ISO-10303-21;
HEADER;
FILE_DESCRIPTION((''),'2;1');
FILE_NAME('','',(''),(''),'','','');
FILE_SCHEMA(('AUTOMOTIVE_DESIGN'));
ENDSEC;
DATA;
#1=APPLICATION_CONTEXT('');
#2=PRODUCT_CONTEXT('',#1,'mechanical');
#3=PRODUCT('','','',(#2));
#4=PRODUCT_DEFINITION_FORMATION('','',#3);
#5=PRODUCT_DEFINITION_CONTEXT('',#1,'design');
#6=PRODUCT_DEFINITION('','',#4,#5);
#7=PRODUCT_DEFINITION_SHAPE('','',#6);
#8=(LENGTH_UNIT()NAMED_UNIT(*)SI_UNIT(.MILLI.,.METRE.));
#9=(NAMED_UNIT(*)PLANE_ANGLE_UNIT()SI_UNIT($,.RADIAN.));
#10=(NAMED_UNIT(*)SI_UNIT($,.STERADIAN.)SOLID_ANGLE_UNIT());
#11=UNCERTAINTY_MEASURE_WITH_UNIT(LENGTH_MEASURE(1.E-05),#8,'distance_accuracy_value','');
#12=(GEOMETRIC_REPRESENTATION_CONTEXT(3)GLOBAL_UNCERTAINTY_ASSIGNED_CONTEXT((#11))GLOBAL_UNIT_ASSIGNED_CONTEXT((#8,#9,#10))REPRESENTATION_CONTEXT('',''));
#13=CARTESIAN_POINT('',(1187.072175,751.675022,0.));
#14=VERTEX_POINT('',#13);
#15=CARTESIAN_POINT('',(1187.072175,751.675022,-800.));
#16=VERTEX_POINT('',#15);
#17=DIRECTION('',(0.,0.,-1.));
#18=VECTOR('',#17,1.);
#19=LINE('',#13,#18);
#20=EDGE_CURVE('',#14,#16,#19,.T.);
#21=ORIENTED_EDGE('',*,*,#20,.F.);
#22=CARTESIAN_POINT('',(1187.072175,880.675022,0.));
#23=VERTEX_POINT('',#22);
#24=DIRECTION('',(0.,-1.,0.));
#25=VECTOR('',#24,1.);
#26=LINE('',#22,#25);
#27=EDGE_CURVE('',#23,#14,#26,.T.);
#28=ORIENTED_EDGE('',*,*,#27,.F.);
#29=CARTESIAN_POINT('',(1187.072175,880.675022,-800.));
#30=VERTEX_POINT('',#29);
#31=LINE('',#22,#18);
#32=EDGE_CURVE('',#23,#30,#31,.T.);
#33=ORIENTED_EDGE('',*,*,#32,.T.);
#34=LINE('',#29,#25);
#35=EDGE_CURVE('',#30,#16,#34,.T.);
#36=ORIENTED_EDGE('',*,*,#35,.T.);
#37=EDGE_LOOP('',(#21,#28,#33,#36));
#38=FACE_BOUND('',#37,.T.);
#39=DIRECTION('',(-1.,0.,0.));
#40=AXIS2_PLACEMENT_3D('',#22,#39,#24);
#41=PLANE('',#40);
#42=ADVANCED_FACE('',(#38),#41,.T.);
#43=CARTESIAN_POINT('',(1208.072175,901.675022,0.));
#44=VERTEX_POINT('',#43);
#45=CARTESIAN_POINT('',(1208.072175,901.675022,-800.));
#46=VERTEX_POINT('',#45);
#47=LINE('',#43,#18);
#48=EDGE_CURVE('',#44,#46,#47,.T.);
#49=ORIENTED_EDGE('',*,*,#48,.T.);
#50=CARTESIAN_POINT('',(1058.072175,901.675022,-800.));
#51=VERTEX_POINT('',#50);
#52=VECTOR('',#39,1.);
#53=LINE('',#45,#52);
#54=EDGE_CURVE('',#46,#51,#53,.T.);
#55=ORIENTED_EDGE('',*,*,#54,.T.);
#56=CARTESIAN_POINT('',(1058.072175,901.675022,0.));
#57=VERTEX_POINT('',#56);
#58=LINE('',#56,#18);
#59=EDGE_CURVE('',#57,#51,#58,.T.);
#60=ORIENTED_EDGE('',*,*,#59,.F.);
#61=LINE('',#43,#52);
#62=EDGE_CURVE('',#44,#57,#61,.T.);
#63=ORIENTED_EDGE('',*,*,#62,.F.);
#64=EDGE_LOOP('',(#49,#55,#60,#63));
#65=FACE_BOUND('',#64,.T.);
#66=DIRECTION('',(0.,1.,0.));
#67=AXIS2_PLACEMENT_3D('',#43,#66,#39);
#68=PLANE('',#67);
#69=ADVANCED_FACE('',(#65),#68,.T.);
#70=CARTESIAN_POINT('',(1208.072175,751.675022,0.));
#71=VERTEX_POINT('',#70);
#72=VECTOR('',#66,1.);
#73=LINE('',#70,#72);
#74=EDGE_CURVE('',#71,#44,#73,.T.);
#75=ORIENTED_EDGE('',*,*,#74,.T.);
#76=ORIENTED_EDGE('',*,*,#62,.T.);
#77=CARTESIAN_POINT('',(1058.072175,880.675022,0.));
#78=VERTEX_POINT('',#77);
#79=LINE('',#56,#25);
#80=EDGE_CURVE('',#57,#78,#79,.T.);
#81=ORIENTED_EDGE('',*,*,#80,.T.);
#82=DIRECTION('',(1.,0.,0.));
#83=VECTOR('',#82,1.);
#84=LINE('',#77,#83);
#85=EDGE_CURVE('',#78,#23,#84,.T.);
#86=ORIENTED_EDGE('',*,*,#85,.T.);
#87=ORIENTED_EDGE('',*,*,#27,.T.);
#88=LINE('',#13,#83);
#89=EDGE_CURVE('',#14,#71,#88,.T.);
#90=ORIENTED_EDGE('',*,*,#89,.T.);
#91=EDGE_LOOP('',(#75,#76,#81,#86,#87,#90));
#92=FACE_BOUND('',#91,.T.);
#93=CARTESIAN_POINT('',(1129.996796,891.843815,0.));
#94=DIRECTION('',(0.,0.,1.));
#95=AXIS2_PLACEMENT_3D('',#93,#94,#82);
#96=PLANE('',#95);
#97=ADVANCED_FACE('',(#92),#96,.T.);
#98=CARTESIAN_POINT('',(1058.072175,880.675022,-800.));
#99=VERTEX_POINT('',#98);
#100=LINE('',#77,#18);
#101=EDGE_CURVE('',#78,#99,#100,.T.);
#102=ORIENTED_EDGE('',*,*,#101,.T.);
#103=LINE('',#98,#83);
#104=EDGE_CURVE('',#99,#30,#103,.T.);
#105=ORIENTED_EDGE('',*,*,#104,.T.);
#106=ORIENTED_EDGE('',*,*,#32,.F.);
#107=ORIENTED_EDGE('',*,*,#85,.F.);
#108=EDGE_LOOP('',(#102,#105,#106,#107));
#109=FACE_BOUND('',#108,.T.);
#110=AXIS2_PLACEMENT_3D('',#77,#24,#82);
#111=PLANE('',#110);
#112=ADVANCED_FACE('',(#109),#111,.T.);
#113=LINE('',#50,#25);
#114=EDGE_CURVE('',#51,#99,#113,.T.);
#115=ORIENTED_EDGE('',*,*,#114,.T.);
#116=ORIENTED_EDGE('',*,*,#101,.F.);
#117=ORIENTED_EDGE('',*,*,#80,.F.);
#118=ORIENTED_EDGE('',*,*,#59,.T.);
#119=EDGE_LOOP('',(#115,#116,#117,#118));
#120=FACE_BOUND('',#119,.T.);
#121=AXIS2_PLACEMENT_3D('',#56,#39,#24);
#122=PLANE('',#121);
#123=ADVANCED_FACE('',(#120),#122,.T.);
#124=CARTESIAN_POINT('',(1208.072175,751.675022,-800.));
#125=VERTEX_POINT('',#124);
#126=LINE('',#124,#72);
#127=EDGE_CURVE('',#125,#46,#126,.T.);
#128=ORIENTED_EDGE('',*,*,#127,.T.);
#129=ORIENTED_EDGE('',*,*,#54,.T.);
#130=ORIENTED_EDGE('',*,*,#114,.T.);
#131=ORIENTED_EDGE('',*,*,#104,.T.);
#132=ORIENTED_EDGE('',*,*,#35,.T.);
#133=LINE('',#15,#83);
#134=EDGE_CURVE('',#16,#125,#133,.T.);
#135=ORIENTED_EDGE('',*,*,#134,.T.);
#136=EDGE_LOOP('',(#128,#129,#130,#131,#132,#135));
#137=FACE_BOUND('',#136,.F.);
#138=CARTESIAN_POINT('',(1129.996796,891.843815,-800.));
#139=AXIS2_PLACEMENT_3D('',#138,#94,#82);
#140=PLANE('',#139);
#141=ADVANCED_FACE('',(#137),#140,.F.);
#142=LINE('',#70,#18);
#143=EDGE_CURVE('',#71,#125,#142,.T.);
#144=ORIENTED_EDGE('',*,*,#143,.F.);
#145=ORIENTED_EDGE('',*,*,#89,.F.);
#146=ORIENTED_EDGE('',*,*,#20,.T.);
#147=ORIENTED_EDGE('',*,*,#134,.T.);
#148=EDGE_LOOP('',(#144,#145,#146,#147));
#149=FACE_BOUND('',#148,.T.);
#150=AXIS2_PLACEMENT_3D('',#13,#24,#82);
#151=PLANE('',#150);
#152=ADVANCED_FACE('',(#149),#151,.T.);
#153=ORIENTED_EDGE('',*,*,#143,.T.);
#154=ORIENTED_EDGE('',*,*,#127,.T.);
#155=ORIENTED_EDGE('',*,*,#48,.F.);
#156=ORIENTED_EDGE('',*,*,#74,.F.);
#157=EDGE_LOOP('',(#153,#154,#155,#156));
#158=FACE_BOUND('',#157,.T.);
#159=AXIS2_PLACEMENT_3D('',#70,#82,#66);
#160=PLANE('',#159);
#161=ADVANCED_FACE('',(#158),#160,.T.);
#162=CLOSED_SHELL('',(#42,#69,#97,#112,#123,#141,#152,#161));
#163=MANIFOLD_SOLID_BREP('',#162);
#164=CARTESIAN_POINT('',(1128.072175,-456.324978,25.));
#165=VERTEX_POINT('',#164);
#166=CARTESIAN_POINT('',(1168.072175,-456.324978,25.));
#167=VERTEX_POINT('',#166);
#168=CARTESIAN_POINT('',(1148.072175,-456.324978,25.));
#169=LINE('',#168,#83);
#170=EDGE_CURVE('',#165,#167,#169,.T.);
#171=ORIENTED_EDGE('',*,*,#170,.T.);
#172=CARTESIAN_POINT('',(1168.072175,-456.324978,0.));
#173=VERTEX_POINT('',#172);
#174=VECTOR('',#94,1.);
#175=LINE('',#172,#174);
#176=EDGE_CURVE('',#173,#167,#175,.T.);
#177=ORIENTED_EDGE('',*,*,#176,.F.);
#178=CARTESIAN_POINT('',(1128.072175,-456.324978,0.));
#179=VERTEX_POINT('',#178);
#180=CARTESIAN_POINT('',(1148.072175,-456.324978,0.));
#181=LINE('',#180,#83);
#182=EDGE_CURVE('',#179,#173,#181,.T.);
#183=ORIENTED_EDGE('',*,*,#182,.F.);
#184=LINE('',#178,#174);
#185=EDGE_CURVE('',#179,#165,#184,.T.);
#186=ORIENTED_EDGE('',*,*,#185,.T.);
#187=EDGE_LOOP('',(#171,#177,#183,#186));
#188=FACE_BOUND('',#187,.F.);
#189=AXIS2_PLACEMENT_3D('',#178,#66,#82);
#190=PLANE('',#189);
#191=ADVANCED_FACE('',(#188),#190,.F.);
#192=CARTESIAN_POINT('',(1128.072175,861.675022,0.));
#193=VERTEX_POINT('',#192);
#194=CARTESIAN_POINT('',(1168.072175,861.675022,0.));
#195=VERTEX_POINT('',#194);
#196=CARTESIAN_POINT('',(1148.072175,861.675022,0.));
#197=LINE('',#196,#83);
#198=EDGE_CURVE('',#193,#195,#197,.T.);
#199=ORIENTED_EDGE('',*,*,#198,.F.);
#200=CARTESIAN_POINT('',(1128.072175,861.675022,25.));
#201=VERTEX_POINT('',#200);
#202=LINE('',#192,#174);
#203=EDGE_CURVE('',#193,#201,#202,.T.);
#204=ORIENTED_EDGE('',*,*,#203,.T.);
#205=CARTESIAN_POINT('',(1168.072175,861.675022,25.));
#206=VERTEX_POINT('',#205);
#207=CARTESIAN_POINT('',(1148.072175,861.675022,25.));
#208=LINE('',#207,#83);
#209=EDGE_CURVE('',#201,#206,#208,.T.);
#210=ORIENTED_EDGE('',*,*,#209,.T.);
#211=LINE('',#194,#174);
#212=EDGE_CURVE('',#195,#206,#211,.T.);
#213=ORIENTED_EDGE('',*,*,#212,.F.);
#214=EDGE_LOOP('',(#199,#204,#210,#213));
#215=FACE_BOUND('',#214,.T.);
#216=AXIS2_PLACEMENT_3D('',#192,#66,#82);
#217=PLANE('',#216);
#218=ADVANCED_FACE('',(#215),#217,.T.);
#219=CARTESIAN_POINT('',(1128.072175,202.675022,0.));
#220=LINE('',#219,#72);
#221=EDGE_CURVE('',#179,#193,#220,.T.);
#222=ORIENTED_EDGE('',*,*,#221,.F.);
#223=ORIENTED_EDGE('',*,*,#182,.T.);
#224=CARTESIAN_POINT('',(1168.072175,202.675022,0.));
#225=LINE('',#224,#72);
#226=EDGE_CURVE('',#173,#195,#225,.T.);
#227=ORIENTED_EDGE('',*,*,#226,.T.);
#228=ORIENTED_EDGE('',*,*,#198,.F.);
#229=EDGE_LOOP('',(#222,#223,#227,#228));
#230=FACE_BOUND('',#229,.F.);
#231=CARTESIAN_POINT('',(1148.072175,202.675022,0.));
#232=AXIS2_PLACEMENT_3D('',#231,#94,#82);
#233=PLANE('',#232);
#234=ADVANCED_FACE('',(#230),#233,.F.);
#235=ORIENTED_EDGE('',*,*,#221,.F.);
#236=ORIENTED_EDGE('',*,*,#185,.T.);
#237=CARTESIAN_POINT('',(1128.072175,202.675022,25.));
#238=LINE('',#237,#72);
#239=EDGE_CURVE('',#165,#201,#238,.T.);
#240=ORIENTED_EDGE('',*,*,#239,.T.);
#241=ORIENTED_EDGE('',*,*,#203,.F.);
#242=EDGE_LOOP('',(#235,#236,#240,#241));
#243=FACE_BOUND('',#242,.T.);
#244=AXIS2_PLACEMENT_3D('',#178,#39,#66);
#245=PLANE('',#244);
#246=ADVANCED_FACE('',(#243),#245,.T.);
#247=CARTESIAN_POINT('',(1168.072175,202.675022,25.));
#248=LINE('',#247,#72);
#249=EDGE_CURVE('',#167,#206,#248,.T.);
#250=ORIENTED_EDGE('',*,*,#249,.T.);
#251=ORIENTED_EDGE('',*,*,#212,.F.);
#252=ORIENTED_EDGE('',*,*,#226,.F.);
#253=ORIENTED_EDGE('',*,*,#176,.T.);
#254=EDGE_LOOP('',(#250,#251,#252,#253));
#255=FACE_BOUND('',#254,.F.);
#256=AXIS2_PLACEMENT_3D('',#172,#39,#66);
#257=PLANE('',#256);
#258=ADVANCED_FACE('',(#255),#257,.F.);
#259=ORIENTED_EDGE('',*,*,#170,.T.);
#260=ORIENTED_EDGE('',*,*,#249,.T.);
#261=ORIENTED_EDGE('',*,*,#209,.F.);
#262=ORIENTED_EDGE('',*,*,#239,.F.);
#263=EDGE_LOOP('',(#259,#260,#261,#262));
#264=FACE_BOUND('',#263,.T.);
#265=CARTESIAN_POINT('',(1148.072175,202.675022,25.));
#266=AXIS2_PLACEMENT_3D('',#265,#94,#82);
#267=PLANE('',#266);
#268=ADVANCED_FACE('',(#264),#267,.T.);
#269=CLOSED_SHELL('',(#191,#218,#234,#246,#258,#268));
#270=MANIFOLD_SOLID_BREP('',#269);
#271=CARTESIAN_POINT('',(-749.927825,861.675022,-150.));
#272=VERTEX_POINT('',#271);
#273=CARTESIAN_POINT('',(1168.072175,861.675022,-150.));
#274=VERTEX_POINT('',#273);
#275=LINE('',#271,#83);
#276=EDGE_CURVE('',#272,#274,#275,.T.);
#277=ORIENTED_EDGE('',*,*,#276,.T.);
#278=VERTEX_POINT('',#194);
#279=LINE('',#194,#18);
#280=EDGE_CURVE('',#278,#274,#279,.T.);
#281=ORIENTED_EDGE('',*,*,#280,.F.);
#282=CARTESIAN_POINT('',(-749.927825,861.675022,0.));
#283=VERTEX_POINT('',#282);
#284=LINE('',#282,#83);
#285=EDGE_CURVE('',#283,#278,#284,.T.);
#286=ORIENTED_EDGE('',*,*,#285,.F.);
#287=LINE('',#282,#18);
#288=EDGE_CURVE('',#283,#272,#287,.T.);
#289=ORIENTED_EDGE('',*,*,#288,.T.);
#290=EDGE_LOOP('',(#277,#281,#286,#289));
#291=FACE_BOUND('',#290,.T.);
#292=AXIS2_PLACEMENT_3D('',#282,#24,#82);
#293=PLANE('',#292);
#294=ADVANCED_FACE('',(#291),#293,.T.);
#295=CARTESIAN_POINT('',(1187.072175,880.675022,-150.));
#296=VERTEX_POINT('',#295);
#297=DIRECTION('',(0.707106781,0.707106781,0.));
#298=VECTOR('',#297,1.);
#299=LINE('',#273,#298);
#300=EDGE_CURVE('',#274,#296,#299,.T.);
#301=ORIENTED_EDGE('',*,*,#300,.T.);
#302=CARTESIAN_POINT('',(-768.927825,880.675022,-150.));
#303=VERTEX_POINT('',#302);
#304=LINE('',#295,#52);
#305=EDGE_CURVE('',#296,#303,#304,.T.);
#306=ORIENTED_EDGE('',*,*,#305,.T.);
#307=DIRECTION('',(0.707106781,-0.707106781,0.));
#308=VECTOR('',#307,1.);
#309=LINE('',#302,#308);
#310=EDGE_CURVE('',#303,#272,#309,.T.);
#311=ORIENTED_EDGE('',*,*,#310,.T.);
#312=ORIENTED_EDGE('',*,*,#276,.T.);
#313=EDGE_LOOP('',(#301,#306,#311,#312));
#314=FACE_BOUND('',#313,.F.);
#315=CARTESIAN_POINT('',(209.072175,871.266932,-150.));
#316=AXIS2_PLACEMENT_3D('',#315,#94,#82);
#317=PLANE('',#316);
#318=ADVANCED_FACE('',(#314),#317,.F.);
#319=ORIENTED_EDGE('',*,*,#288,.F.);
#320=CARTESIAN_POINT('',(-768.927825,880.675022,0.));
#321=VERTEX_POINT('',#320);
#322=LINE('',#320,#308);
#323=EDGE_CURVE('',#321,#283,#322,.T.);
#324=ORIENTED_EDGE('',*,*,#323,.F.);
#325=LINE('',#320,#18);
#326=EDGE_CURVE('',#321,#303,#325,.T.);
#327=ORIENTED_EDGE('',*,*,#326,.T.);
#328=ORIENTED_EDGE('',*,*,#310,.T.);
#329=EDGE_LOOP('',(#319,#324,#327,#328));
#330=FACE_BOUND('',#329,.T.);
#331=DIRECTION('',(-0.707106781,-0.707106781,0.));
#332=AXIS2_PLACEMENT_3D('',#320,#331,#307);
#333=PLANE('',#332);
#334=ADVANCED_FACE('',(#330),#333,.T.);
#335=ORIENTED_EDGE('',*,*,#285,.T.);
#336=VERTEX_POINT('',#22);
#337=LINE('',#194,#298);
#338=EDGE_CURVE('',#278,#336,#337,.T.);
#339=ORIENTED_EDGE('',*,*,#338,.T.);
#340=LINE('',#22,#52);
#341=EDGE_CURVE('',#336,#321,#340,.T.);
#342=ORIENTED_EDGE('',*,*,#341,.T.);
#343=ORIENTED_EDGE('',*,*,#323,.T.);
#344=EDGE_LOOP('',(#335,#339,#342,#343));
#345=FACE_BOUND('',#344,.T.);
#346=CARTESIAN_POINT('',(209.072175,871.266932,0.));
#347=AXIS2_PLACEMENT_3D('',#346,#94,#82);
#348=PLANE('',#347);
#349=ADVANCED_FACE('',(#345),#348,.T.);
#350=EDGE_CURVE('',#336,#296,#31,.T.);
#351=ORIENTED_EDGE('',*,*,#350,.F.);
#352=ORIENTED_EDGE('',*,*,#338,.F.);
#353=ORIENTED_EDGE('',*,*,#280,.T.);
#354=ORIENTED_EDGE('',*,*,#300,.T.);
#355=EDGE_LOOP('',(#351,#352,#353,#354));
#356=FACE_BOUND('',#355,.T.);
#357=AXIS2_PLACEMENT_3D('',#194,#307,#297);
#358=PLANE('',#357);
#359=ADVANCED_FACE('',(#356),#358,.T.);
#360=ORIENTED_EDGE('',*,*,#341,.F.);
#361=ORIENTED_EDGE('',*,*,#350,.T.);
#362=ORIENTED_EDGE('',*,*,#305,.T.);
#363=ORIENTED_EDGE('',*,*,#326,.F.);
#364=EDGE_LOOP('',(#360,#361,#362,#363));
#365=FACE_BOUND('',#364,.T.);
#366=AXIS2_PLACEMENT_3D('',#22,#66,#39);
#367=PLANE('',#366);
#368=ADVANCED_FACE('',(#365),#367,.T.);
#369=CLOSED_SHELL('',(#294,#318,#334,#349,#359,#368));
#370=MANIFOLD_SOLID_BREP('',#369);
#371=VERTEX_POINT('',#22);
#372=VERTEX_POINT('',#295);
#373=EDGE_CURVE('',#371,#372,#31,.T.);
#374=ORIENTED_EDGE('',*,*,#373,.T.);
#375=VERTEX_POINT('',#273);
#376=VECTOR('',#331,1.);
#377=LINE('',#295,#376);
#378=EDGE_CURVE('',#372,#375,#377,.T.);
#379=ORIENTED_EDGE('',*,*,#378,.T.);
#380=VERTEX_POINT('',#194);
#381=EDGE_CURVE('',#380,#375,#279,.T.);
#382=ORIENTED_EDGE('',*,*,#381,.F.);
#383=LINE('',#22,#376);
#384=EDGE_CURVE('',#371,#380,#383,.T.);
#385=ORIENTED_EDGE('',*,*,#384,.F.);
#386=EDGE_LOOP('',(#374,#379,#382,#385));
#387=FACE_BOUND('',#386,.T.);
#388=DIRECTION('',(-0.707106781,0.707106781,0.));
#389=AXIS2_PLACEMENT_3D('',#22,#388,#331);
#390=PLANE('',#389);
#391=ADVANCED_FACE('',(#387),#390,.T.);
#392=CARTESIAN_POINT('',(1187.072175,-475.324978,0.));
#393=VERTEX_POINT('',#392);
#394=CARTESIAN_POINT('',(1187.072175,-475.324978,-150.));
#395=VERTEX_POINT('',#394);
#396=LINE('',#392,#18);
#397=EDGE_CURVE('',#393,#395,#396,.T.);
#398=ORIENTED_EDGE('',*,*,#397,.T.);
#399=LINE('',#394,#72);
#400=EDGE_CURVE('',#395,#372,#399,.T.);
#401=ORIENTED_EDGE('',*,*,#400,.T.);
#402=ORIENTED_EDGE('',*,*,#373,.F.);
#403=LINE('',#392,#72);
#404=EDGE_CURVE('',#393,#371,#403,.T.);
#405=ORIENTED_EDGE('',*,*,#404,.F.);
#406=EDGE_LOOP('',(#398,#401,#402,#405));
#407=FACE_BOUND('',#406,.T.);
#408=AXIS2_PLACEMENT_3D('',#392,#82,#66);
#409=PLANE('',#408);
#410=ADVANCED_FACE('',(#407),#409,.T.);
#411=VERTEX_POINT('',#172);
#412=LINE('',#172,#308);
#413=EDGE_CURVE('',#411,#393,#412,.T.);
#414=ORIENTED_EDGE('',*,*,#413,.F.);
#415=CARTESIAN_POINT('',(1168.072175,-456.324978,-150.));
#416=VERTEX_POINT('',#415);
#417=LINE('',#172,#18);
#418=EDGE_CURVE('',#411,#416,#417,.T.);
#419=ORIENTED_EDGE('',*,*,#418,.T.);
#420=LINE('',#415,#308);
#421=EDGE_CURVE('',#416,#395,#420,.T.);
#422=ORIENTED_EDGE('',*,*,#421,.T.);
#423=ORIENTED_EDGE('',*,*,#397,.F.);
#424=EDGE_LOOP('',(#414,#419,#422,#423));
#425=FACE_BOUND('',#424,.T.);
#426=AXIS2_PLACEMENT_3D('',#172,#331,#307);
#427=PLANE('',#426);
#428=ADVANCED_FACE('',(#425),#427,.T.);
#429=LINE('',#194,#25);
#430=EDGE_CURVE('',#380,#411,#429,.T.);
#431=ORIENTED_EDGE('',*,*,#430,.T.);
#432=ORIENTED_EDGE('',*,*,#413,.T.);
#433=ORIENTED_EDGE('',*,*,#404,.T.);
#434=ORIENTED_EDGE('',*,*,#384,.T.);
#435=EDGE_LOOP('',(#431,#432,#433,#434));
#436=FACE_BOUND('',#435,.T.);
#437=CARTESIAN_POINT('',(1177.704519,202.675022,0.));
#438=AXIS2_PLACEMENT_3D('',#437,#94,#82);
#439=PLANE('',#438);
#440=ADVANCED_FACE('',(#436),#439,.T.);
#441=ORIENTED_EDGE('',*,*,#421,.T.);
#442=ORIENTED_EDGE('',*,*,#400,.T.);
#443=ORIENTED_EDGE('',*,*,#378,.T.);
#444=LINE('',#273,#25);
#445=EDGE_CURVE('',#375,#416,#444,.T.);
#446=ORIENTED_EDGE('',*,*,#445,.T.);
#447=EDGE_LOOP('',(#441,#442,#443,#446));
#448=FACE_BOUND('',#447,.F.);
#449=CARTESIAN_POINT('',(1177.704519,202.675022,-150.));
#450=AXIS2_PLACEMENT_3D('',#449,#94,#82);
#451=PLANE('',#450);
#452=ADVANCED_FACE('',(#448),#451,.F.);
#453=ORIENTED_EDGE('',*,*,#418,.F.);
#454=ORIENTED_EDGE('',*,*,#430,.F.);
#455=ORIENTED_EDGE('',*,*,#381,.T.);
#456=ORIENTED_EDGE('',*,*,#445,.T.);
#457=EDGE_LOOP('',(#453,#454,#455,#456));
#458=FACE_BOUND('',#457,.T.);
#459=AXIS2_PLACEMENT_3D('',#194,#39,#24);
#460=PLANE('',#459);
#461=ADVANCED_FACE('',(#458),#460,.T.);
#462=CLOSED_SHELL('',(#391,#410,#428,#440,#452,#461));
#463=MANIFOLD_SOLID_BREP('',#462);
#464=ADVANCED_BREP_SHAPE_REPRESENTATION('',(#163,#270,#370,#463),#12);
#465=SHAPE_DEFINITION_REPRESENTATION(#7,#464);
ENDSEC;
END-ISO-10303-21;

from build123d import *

# Parameters (mm, degrees)
F1_DEPTH = 150
F2_DEPTH = 150
F3_DEPTH = 800
F0_W     = 40
F0_H     = 1318
F4_DEPTH = 25


with BuildPart() as f1:
    # F0 (on Top) → F1 (new body)
    with BuildSketch(Plane.XY):
        Polygon((1187.072175, 751.675022), (1187.072175, 880.675022), (1168.072175, 861.675022), (1168.072175, -456.324978), (1187.072175, -475.324978), align=None)
    extrude(amount=-F1_DEPTH)


with BuildPart() as f2:
    # F0 (on Top) → F2 (new body)
    with BuildSketch(Plane.XY):
        Polygon((1058.072175, 880.675022), (-768.927825, 880.675022), (-749.927825, 861.675022), (1128.072175, 861.675022), (1168.072175, 861.675022), (1187.072175, 880.675022), align=None)
    extrude(amount=-F2_DEPTH)


with BuildPart() as f3:
    # F0 (on Top) → F3 (new body)
    with BuildSketch(Plane.XY):
        Polygon((1058.072175, 901.675022), (1058.072175, 880.675022), (1187.072175, 880.675022), (1208.072175, 901.675022), align=None)
        Polygon((1208.072175, 901.675022), (1187.072175, 880.675022), (1187.072175, 751.675022), (1208.072175, 751.675022), align=None)
    extrude(amount=-F3_DEPTH)


with BuildPart() as f4:
    # F0 (on Top) → F4 (new body)
    with BuildSketch(Plane.XY):
        with Locations((1148.072175, 202.675022)):
            Rectangle(F0_W, F0_H)
    extrude(amount=F4_DEPTH)


solid = Compound([f1.part, f2.part, f3.part, f4.part])
